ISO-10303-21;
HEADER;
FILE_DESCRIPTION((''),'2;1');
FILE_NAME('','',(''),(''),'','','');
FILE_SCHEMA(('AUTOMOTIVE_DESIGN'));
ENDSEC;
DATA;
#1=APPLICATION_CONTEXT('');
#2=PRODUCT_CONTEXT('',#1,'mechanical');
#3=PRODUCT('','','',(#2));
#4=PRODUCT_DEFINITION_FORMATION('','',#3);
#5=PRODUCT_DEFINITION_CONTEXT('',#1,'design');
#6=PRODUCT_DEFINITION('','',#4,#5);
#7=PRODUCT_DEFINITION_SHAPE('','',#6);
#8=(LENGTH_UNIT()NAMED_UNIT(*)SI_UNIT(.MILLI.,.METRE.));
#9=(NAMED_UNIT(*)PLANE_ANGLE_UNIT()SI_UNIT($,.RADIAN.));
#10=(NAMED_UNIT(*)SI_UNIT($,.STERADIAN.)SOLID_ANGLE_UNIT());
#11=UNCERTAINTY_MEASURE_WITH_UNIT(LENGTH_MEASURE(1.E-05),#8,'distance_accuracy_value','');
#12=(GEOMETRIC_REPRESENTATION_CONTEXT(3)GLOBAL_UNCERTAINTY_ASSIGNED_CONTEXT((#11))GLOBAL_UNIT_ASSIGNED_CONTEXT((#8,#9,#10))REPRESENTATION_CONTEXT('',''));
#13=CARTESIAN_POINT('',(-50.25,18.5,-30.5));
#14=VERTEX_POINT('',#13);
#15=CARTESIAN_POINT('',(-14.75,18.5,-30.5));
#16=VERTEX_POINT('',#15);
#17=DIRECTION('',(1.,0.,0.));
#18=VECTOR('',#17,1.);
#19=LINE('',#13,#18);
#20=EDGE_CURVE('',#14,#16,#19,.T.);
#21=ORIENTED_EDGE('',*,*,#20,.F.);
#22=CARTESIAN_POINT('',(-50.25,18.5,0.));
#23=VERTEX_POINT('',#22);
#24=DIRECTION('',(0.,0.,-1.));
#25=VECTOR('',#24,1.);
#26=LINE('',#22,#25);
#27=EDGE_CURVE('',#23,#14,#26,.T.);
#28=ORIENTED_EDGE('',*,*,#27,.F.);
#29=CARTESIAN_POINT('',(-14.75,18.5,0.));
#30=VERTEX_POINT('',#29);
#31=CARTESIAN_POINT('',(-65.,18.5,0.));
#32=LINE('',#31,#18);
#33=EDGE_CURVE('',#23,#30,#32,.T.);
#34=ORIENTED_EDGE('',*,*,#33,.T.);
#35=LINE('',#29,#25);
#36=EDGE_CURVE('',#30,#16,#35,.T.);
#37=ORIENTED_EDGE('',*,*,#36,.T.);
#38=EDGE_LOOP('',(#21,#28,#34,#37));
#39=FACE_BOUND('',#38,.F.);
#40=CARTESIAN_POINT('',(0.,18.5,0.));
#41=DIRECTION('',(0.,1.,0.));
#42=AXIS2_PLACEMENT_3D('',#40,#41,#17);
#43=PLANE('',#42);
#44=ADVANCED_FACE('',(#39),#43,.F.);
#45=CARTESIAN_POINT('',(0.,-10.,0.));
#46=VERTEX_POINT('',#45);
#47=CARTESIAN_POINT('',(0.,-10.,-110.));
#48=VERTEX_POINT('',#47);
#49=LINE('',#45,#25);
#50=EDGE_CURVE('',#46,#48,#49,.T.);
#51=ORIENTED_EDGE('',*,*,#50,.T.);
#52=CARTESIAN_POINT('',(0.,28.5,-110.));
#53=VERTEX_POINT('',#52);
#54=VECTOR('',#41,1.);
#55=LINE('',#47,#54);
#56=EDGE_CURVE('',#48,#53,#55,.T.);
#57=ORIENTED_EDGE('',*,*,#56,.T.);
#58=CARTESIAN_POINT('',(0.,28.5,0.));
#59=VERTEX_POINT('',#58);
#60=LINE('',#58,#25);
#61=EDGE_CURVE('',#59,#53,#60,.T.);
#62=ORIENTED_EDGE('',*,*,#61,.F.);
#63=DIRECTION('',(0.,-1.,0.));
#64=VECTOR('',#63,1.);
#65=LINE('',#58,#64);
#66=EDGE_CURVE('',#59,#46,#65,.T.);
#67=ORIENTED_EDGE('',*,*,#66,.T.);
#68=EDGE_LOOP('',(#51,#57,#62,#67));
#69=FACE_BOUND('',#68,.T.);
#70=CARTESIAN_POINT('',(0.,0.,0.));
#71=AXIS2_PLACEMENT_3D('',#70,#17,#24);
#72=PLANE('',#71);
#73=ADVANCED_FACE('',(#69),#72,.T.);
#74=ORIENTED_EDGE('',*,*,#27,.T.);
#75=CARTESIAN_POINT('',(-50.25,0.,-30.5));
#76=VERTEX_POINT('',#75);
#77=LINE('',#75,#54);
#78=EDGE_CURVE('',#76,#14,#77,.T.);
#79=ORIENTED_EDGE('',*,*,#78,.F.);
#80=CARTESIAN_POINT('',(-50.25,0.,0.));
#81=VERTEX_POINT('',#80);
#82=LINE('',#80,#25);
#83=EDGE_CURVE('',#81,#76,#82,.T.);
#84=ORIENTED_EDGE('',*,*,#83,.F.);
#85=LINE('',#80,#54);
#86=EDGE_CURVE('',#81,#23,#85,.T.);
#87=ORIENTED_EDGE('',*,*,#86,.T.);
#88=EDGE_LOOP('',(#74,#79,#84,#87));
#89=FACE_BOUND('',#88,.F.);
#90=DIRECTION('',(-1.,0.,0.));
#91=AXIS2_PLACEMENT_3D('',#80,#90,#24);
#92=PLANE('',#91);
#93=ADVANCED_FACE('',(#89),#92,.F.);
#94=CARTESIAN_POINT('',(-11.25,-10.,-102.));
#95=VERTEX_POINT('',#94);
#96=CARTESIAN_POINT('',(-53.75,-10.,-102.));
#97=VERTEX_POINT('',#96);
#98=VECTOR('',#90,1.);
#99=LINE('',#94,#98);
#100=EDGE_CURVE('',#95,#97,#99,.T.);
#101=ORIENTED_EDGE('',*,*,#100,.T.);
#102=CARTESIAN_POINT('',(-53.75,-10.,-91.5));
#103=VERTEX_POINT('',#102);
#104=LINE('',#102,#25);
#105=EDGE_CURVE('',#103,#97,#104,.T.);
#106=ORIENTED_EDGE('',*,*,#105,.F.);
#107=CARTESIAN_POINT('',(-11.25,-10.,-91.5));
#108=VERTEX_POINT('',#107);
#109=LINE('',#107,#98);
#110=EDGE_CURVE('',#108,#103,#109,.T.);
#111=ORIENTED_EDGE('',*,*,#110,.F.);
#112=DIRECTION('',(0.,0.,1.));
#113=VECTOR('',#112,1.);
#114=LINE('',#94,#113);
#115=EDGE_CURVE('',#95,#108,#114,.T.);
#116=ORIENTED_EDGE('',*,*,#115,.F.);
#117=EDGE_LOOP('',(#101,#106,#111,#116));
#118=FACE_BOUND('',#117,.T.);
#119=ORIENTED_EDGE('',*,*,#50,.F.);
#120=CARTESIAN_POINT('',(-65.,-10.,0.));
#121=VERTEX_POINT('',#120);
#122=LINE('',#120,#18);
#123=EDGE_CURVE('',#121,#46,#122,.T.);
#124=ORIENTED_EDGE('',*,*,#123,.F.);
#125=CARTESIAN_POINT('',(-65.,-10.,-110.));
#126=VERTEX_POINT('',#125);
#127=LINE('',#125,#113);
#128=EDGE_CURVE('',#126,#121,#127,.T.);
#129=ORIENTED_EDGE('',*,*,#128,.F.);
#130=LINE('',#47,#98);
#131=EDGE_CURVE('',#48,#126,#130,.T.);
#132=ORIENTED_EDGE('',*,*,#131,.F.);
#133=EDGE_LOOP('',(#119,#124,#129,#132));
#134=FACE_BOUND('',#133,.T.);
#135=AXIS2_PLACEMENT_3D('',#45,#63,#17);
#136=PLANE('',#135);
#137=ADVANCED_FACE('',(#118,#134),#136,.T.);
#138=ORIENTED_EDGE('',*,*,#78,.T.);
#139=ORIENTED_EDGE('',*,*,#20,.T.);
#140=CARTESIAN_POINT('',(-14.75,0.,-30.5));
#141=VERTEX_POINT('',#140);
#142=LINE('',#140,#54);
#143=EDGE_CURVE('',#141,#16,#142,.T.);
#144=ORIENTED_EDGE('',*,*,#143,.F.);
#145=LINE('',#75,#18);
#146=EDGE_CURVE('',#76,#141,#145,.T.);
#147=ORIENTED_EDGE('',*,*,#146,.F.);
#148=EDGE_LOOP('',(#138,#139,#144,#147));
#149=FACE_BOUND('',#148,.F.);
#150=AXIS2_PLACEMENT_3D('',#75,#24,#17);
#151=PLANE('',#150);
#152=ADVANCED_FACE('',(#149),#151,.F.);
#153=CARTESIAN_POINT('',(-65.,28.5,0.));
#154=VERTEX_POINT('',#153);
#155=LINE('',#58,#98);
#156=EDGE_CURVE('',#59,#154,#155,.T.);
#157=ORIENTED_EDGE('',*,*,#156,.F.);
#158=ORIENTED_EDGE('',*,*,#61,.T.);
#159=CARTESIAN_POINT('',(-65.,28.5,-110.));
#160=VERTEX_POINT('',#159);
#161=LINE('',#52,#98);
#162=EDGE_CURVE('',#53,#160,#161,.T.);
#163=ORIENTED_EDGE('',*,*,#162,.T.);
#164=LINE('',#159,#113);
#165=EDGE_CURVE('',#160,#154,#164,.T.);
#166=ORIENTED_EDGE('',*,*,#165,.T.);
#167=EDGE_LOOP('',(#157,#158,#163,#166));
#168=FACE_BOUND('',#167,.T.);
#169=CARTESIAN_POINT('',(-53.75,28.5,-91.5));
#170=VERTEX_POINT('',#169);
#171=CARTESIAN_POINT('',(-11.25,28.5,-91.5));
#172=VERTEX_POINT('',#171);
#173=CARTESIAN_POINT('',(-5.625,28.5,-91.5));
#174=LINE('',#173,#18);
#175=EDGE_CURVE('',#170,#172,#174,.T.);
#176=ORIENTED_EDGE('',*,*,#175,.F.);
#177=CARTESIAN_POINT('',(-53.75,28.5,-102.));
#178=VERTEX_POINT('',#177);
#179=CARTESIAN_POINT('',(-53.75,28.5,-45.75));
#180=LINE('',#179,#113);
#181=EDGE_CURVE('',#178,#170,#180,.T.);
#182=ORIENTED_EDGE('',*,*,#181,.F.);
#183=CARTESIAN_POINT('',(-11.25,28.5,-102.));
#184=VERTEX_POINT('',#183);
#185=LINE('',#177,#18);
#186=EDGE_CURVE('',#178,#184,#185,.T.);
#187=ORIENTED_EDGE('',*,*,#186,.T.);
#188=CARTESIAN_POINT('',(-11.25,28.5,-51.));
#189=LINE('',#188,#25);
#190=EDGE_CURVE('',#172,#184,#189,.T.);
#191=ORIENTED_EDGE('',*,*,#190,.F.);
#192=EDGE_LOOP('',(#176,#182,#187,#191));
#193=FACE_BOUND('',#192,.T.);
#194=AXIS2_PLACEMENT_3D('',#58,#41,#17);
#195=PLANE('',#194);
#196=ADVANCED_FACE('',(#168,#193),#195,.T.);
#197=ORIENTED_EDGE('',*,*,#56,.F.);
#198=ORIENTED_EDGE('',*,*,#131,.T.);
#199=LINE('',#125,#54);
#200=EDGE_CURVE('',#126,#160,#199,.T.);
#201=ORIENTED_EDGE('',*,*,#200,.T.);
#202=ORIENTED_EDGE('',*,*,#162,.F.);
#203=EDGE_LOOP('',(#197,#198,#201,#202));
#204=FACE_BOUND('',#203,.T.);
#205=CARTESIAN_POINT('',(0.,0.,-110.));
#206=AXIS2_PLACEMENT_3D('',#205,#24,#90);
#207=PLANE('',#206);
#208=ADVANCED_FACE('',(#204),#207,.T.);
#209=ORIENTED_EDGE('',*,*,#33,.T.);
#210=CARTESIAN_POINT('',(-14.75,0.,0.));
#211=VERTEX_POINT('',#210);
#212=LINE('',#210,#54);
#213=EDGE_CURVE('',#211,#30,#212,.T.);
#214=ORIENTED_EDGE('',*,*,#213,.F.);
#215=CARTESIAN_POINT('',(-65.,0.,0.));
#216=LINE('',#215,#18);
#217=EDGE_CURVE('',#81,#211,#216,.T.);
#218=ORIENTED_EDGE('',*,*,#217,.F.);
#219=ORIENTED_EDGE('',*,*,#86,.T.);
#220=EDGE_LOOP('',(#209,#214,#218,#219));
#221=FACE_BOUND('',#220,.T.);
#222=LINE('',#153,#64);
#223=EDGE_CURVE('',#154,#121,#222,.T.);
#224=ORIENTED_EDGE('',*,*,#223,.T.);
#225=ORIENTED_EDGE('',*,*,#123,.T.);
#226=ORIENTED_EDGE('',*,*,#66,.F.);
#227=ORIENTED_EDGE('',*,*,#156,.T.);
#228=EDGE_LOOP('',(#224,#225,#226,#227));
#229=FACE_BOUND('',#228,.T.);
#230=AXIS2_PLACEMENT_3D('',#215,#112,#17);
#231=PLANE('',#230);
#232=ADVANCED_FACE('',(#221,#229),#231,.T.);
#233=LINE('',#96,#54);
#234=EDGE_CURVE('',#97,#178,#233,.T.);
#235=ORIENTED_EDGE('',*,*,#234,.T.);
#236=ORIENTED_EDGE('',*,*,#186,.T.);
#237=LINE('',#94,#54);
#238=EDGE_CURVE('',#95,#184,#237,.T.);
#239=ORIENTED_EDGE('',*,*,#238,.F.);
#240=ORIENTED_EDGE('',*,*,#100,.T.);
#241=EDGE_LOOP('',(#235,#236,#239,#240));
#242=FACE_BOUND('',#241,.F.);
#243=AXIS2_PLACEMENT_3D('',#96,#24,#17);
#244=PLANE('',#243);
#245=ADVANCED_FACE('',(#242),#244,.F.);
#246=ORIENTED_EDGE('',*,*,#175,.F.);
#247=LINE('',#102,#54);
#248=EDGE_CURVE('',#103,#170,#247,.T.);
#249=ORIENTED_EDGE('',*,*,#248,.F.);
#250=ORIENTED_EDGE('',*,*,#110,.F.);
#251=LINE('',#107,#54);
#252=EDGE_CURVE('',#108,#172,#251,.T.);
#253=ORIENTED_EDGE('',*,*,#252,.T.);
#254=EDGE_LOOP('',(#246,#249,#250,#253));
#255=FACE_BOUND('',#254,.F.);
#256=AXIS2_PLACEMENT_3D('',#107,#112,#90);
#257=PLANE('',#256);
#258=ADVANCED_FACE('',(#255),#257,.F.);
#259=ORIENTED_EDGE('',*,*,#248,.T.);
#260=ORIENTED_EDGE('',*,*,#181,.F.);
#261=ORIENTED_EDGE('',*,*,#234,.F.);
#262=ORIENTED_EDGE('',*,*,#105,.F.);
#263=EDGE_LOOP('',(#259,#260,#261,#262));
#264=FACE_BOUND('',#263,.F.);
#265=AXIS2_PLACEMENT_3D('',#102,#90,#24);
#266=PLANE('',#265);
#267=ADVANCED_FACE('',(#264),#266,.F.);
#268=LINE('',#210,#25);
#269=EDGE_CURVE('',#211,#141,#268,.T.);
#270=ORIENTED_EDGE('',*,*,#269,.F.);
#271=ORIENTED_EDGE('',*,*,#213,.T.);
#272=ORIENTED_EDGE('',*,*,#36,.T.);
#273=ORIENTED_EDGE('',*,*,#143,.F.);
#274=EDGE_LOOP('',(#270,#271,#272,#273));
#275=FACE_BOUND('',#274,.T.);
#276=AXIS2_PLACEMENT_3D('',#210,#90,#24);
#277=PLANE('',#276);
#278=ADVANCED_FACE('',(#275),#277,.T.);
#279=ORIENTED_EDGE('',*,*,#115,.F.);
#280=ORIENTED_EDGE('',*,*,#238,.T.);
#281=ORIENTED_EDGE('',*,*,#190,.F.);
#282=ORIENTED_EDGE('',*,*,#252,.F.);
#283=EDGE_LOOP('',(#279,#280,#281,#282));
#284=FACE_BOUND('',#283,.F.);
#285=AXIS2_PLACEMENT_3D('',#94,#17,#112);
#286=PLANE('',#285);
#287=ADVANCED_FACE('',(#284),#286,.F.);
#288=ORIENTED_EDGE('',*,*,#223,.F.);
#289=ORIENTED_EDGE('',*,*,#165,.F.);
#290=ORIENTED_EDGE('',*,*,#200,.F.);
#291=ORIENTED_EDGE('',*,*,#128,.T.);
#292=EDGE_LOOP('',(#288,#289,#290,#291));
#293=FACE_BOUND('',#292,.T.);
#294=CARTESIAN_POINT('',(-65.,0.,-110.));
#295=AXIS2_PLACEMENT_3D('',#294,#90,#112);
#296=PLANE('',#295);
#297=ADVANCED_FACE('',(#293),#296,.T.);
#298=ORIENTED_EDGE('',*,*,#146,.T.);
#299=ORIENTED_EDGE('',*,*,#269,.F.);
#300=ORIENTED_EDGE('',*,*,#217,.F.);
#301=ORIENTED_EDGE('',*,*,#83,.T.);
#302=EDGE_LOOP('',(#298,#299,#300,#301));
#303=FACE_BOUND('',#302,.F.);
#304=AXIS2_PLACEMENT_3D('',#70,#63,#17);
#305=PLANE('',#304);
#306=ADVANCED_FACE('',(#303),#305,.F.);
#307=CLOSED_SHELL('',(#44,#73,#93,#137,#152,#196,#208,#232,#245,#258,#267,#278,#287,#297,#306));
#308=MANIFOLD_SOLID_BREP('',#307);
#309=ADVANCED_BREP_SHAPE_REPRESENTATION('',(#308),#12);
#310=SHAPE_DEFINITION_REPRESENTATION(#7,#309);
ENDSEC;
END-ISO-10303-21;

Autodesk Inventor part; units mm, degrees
ref_plane "YZ Plane" through (0, 0, 0) normal (1, 0, 0) x (0, 1, 0)
ref_plane "XZ Plane" through (0, 0, 0) normal (0, 1, 0) x (-1, 0, 0)
ref_plane "XY Plane" through (0, 0, 0) normal (0, 0, 1) x (1, 0, 0)
sketch "Sketch1" plane through (0, 0, 0) normal (0, 1, 0) x (-1, 0, 0)
  line L0 (65, 0) -> (65, -110)
  line L1 (65, -110) -> (0, -110)
  line L2 (0, -110) -> (0, 0)
  line L3 (65, 0) -> (65, -34.9842)
  line L4 (65, 0) -> (50.25, 0)
  line L5 (50.25, 0) -> (50.25, -30.5)
  line L6 (0, 0) -> (14.75, 0)
  line L7 (14.75, 0) -> (14.75, -30.5)
  line L8 (50.25, -30.5) -> (14.75, -30.5)
  line L9 (0, 0) -> (14.75, 0)
  line L10 (50.25, 0) -> (65, 0)
  dimension "d0" = 65
  dimension "d1" = 110
  dimension "d2" = 14.75
  dimension "d3" = 30.5
  dimension "d4" = 14.75
  dimension "d5" = 30.5
extrude "Extrusion1" add sketch "Sketch1" along normal blind 18.5
sketch "Sketch2" plane through (0, 18.5, 0) normal (0, 1, 0) x (1, 0, 0)
  line L0 (0, 110) -> (-65, 110) projected
  line L1 (-65, 110) -> (-65, 0)
  line L2 (-14.75, 0) -> (0, 0) projected
  line L3 (-65, 0) -> (0, 0)
  line L4 (0, 0) -> (0, 110)
  line L5 (-65, 110) -> (-65, 0) projected
  line L6 (0, 110) -> (-65, 110)
extrude "Extrusion2" add sketch "Sketch2" along normal blind 10
sketch "Sketch3" plane through (0, 0, 0) normal (0, -1, 0) x (1, 0, 0)
  line L0 (0, 0) -> (0, -110) projected
  line L1 (0, -110) -> (-65, -110) projected
  line L2 (0, 0) -> (0, -110)
  line L3 (0, -110) -> (-65, -110)
  line L4 (-65, -110) -> (-65, 0) projected
  line L5 (-65, -110) -> (-65, 0)
  line L6 (-65, 0) -> (0, 0)
extrude "Extrusion3" add sketch "Sketch3" along normal blind 10
sketch "Sketch4" plane through (0, -10, 0) normal (0, -1, 0) x (1, 0, 0)
  line L0 (0, 0) -> (0, -110) projected
  line L1 (0, -110) -> (0, -102)
  line L2 (0, -110) -> (-32.5, -110)
  line L3 (-32.5, -110) -> (-24.5, -110)
  line L4 (0, -110) -> (-65, -110) projected
  line L5 (-32.5, -110) -> (-32.5, -102)
  line L6 (-32.5, -102) -> (-11.25, -102)
  line L7 (-11.25, -102) -> (-11.25, -91.5)
  line L8 (-11.25, -91.5) -> (-53.75, -91.5)
  line L9 (-53.75, -91.5) -> (-53.75, -102)
  line L10 (-53.75, -102) -> (-32.5, -102)
  dimension "d19" = 32.5
  dimension "d26" = 8
  dimension "d27" = 21.25
  dimension "d28" = 10.5
  dimension "d29" = 42.5
  dimension "d30" = 10.5
extrude "Extrusion4" cut sketch "Sketch4" against normal through all
properties part number "techo2"
